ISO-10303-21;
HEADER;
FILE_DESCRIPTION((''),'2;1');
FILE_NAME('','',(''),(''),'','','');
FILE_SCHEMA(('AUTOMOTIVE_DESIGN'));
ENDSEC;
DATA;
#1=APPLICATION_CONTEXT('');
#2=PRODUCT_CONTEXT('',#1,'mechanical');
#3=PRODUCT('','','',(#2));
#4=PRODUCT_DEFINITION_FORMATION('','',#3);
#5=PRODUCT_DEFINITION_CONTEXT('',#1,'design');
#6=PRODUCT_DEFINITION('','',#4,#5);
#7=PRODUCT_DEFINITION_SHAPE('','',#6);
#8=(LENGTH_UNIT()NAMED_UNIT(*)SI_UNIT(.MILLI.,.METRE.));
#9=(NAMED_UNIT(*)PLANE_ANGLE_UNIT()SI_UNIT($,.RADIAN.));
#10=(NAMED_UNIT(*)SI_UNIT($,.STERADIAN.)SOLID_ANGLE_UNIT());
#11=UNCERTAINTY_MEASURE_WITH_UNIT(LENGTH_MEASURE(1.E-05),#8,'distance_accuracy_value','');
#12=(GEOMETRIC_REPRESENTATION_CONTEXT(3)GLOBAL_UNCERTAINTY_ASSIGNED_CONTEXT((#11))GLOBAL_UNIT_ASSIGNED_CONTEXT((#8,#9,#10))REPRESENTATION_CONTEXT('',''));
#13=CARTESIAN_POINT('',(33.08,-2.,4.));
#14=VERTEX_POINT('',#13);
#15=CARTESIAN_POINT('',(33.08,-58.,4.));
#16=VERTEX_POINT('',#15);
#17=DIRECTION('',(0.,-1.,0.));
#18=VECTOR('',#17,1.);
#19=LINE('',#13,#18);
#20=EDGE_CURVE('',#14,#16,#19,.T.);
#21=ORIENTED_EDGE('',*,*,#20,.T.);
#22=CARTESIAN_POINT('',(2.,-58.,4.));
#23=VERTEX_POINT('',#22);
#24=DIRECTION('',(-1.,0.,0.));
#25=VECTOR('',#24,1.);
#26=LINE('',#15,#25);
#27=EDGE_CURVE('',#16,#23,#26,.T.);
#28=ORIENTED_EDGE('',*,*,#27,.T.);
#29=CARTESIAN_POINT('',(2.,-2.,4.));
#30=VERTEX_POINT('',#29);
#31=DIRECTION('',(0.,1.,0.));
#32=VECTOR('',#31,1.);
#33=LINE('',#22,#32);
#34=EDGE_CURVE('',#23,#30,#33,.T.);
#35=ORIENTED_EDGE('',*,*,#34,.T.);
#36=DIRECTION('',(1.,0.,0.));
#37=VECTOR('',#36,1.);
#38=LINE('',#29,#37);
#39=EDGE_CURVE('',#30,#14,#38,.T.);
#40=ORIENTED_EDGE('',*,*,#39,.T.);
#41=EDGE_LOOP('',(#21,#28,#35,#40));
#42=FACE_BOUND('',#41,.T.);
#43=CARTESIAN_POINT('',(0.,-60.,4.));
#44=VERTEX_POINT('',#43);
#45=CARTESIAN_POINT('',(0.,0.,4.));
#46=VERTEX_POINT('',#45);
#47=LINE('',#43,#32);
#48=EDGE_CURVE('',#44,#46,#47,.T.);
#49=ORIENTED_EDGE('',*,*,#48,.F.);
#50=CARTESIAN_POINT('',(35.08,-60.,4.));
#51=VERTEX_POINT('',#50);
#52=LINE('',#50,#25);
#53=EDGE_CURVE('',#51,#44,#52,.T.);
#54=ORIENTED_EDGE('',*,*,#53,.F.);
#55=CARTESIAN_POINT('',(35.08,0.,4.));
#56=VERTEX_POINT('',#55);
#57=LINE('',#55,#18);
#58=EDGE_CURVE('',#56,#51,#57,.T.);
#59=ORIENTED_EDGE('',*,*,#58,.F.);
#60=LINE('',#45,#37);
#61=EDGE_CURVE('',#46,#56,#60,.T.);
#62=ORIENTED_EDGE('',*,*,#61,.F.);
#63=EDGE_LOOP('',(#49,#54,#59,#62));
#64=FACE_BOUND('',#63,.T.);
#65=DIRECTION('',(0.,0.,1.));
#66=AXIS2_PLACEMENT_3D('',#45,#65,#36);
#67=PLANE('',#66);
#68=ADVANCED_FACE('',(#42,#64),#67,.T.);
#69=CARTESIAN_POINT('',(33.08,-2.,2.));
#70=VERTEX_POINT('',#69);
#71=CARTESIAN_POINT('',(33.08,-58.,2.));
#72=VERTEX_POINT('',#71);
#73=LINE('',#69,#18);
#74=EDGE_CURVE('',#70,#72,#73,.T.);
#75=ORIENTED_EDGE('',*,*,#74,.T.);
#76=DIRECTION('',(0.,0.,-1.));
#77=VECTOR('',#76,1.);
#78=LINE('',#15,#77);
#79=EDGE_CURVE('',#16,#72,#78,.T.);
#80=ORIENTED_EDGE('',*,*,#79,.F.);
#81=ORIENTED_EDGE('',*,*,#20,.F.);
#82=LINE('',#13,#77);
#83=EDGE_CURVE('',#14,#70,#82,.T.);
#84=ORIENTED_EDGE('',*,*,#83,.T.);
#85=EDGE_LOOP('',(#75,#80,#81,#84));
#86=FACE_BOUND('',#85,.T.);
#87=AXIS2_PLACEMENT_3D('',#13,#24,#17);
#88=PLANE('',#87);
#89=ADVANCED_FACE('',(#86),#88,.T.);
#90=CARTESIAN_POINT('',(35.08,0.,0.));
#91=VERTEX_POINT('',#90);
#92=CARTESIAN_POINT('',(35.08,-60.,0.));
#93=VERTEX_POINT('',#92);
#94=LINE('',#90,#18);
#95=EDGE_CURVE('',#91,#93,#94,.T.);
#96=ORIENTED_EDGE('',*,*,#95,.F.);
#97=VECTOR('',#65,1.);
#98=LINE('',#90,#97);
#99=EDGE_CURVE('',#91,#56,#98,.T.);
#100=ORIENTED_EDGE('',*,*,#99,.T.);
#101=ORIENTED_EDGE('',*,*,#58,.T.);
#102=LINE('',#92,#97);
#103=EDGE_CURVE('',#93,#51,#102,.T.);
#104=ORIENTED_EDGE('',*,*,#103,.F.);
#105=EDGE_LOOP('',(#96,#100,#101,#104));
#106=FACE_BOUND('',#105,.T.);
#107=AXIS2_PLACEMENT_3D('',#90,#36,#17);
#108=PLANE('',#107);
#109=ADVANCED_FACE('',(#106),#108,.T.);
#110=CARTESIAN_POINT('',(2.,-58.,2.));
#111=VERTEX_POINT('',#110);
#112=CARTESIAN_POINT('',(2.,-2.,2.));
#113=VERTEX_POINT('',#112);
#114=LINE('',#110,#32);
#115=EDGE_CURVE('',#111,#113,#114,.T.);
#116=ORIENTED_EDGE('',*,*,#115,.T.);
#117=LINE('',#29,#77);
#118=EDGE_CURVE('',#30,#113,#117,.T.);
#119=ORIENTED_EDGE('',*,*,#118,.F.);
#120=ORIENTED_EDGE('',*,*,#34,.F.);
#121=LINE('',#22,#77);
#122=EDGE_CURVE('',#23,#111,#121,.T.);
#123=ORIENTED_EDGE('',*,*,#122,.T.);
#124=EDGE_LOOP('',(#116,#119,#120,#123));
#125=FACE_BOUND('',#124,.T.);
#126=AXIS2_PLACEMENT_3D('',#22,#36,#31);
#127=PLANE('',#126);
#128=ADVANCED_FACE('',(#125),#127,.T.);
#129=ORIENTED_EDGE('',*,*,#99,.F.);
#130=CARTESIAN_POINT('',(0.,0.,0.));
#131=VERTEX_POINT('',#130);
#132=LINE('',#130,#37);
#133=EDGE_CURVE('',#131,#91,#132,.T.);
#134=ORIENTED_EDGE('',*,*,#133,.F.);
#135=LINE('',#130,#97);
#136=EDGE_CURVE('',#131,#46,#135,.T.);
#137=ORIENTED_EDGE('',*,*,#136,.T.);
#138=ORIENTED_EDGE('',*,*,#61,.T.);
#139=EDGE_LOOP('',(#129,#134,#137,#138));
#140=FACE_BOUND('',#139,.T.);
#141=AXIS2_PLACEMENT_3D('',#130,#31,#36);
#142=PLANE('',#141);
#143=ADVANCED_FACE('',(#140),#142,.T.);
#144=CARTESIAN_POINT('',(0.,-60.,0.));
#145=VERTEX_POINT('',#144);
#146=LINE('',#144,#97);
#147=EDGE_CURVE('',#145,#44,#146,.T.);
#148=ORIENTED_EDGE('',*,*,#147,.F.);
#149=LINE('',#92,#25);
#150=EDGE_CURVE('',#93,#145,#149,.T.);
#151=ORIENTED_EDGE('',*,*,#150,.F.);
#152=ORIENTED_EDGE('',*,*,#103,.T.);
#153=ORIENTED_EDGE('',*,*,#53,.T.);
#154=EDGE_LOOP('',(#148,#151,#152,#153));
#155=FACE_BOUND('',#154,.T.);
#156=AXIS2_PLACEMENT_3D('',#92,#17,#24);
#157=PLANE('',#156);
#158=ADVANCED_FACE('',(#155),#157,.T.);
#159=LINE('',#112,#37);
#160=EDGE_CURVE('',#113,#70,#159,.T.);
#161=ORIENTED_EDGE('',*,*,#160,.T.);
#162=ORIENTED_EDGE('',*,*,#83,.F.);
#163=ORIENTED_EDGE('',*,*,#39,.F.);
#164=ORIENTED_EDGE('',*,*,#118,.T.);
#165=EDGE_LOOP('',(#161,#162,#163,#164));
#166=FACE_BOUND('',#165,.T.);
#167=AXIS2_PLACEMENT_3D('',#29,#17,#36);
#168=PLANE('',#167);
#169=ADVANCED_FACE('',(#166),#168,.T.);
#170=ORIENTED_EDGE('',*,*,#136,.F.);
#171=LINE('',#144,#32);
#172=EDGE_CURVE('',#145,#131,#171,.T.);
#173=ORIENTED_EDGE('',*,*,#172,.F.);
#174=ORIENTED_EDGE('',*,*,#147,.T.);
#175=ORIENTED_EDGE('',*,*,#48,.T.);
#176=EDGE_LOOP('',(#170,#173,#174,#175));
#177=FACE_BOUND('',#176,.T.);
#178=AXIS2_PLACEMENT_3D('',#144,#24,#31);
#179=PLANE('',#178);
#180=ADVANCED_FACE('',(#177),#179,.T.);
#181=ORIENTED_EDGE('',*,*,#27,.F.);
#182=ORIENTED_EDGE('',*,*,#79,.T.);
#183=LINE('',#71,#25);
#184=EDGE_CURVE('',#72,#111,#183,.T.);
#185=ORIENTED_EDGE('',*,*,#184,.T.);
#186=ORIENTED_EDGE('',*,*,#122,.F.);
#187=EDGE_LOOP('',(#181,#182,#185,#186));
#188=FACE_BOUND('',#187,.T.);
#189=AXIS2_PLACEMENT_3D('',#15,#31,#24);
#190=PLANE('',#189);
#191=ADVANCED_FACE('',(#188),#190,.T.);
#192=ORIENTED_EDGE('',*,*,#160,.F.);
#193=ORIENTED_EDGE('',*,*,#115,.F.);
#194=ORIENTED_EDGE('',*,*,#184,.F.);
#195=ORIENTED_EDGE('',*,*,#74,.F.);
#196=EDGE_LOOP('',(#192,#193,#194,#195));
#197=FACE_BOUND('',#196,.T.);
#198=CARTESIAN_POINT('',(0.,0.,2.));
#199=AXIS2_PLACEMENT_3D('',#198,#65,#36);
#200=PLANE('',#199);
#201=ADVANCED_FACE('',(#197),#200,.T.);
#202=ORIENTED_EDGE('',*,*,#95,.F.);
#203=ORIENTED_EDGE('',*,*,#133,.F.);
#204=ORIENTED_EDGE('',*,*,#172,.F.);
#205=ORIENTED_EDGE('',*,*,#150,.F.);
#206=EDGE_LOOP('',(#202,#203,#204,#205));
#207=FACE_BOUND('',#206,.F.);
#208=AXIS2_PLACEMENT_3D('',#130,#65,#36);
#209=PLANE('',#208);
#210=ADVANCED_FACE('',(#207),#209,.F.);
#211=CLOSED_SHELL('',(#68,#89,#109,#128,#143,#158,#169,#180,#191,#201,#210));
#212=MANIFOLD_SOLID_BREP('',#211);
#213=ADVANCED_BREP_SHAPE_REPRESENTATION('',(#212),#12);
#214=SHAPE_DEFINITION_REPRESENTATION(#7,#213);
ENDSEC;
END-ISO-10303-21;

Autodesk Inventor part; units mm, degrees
ref_plane "YZ Plane" through (0, 0, 0) normal (1, 0, 0) x (0, 1, 0)
ref_plane "XZ Plane" through (0, 0, 0) normal (0, 1, 0) x (-1, 0, 0)
ref_plane "XY Plane" through (0, 0, 0) normal (0, 0, 1) x (1, 0, 0)
sketch "Sketch1" plane through (0, 0, 0) normal (0, 0, 1) x (1, 0, 0)
  line L0 (0, 0) -> (35.08, 0)
  line L1 (35.08, 0) -> (35.08, -60)
  line L2 (35.08, -60) -> (0, -60)
  line L3 (0, -60) -> (0, 0)
  dimension "d0" = 35.08
  dimension "d1" = 60
extrude "Extrusion1" add sketch "Sketch1" along normal blind 4
sketch "Sketch2" plane through (0, 0, 4) normal (0, 0, 1) x (1, 0, 0)
  line L0 (35.08, 0) -> (0, 0) projected
  line L1 (2, -2) -> (33.08, -2)
  line L2 (33.08, -2) -> (33.08, -58)
  line L3 (33.08, -58) -> (2, -58)
  line L4 (2, -58) -> (2, -2)
  line L5 (0, -60) -> (35.08, -60) projected
  line L6 (35.08, -60) -> (35.08, 0) projected
  line L7 (0, 0) -> (0, -60) projected
  dimension "d8" = 2
  dimension "d9" = 2
  dimension "d10" = 2
  dimension "d11" = 2
extrude "Extrusion2" cut sketch "Sketch2" against normal blind 2 contours L1 L2 L3 L4
properties part number "tapaBateria"
